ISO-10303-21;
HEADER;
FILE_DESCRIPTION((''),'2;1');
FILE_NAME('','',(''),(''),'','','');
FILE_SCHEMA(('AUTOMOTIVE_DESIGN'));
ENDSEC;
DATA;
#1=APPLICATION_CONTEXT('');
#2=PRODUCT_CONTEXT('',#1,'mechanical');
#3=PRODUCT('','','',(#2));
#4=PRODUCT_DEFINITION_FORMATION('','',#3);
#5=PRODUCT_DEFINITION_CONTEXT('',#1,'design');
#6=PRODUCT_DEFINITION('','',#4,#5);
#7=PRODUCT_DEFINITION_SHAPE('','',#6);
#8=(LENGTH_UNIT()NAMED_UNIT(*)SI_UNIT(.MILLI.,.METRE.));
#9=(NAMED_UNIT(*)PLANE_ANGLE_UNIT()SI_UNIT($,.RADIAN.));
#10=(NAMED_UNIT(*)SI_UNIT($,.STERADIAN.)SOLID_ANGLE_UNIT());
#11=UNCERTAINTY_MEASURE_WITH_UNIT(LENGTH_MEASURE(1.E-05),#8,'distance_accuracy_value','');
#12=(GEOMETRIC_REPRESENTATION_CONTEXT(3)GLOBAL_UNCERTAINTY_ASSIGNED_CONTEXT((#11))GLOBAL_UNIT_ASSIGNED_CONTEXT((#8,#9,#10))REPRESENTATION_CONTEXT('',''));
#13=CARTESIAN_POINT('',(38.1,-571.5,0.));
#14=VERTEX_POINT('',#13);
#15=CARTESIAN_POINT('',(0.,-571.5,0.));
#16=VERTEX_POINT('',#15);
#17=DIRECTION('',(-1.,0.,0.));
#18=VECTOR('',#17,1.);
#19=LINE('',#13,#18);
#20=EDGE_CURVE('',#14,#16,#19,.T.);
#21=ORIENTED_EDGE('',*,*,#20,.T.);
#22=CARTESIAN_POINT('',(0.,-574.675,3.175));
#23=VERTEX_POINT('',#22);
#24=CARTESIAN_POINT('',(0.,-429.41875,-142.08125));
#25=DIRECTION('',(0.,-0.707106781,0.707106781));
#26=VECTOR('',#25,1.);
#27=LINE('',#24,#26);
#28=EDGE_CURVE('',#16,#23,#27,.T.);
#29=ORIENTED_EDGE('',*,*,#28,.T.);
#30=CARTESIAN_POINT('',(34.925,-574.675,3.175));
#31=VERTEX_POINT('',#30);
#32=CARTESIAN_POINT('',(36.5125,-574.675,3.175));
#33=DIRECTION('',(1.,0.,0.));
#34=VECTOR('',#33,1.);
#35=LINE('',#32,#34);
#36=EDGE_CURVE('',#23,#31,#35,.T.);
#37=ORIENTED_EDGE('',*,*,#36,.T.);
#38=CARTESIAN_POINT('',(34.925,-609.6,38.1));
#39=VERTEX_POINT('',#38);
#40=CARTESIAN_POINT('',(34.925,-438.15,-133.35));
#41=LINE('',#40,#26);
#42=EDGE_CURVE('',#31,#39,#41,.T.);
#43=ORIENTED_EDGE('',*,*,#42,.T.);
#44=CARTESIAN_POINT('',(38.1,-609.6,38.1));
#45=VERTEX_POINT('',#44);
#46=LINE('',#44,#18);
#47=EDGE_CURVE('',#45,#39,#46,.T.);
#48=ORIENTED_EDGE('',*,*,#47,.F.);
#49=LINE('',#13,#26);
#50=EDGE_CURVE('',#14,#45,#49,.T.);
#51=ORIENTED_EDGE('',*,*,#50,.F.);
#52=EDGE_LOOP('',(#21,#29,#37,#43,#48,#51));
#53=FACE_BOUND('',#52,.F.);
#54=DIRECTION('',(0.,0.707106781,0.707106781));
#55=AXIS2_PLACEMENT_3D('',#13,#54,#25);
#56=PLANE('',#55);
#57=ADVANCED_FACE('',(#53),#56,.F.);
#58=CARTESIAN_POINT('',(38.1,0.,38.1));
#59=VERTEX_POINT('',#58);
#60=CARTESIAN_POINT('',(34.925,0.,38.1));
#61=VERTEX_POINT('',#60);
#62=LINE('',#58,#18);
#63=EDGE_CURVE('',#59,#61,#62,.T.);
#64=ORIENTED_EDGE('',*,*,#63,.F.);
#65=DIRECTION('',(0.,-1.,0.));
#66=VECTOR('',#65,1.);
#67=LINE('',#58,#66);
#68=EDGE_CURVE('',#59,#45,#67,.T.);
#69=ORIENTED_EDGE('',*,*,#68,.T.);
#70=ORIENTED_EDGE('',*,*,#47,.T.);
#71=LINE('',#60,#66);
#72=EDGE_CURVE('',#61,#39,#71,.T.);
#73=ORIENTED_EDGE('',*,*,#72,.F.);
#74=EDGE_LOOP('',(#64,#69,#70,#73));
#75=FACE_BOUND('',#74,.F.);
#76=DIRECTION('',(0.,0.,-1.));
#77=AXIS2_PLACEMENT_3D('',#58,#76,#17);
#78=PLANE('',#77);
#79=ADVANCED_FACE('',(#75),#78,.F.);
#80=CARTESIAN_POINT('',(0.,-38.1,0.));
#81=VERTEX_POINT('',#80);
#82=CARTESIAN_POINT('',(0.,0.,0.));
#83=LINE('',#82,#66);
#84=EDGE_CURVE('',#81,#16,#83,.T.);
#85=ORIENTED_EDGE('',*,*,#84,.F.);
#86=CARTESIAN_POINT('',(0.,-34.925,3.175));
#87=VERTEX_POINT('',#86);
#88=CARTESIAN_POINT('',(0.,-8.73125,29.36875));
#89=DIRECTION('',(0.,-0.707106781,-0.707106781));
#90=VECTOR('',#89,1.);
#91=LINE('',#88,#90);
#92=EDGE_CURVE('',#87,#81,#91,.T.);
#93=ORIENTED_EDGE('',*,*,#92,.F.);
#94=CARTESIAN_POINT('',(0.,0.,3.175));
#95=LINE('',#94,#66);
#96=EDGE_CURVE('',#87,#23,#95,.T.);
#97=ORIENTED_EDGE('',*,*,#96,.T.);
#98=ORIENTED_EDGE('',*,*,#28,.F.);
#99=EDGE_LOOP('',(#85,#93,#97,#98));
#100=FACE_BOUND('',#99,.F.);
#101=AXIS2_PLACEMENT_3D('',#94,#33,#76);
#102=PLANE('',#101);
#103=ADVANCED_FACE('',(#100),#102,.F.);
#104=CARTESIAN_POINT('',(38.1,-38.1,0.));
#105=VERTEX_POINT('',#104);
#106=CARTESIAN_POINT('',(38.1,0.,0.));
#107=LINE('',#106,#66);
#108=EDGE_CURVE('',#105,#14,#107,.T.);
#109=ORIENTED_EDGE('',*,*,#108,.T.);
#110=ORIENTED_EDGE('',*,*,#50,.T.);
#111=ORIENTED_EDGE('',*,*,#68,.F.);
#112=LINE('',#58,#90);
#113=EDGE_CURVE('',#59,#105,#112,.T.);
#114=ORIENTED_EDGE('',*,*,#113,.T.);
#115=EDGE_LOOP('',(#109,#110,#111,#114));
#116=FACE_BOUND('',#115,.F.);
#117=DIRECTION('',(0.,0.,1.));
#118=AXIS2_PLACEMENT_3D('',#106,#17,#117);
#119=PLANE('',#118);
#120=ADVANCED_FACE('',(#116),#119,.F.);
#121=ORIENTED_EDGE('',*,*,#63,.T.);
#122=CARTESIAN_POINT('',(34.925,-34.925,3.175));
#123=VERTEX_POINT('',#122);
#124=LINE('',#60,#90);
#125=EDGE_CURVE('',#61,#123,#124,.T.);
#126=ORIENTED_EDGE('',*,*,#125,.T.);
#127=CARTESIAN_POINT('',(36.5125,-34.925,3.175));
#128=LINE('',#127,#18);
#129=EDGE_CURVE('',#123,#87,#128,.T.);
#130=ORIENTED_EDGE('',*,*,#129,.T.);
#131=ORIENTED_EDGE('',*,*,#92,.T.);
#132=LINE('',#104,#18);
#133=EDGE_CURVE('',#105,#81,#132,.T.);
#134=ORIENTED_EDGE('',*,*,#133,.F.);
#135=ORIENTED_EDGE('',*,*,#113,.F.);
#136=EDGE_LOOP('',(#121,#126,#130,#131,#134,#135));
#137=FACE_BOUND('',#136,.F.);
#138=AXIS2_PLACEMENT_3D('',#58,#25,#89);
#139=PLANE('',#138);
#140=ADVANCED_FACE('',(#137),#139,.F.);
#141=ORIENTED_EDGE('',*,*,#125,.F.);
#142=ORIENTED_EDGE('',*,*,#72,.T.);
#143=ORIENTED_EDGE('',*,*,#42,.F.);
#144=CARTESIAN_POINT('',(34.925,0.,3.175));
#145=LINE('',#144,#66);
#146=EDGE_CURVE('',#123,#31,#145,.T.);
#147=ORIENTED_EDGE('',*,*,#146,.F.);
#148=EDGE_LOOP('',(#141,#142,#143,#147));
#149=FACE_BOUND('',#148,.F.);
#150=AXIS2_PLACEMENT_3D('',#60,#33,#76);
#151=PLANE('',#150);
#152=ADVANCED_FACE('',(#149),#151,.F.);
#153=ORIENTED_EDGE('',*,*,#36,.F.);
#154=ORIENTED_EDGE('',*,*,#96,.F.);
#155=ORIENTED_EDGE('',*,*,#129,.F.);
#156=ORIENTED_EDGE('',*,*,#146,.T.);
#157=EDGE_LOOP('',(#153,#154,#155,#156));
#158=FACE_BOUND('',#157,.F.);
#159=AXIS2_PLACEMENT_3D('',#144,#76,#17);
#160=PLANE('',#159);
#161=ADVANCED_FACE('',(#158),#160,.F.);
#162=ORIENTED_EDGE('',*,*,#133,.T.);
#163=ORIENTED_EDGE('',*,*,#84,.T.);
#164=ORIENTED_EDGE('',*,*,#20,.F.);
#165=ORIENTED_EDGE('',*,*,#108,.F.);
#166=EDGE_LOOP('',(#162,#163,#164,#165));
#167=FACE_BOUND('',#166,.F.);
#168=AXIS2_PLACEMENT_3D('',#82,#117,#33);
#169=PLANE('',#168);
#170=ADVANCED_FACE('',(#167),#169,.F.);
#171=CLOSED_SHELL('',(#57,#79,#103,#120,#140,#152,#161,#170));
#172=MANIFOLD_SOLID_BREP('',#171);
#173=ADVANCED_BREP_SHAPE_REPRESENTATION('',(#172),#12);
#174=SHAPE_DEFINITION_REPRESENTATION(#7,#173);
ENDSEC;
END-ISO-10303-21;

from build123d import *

# Parameters (mm, degrees)
F1_DEPTH = 609.6
F3_DEPTH = 38.101


with BuildPart() as f1:
    # F0 (on Front) → F1 (new body)
    with BuildSketch(Plane.XZ):
        Polygon((0, 3.175), (0, 0), (38.1, 0), (38.1, 38.1), (34.925, 38.1), (34.925, 3.175), align=None)
    extrude(amount=F1_DEPTH)

    # F2 (on face) → F3 (cut, through all)
    with BuildSketch(Plane.YZ.offset(38.1)):
        Polygon((0, 0), (0, 38.1), (-38.1, 0), align=None)
        Polygon((-571.5, 0), (-609.6, 38.1), (-609.6, 0), align=None)
    extrude(amount=-F3_DEPTH, mode=Mode.SUBTRACT)


solid = f1.part
